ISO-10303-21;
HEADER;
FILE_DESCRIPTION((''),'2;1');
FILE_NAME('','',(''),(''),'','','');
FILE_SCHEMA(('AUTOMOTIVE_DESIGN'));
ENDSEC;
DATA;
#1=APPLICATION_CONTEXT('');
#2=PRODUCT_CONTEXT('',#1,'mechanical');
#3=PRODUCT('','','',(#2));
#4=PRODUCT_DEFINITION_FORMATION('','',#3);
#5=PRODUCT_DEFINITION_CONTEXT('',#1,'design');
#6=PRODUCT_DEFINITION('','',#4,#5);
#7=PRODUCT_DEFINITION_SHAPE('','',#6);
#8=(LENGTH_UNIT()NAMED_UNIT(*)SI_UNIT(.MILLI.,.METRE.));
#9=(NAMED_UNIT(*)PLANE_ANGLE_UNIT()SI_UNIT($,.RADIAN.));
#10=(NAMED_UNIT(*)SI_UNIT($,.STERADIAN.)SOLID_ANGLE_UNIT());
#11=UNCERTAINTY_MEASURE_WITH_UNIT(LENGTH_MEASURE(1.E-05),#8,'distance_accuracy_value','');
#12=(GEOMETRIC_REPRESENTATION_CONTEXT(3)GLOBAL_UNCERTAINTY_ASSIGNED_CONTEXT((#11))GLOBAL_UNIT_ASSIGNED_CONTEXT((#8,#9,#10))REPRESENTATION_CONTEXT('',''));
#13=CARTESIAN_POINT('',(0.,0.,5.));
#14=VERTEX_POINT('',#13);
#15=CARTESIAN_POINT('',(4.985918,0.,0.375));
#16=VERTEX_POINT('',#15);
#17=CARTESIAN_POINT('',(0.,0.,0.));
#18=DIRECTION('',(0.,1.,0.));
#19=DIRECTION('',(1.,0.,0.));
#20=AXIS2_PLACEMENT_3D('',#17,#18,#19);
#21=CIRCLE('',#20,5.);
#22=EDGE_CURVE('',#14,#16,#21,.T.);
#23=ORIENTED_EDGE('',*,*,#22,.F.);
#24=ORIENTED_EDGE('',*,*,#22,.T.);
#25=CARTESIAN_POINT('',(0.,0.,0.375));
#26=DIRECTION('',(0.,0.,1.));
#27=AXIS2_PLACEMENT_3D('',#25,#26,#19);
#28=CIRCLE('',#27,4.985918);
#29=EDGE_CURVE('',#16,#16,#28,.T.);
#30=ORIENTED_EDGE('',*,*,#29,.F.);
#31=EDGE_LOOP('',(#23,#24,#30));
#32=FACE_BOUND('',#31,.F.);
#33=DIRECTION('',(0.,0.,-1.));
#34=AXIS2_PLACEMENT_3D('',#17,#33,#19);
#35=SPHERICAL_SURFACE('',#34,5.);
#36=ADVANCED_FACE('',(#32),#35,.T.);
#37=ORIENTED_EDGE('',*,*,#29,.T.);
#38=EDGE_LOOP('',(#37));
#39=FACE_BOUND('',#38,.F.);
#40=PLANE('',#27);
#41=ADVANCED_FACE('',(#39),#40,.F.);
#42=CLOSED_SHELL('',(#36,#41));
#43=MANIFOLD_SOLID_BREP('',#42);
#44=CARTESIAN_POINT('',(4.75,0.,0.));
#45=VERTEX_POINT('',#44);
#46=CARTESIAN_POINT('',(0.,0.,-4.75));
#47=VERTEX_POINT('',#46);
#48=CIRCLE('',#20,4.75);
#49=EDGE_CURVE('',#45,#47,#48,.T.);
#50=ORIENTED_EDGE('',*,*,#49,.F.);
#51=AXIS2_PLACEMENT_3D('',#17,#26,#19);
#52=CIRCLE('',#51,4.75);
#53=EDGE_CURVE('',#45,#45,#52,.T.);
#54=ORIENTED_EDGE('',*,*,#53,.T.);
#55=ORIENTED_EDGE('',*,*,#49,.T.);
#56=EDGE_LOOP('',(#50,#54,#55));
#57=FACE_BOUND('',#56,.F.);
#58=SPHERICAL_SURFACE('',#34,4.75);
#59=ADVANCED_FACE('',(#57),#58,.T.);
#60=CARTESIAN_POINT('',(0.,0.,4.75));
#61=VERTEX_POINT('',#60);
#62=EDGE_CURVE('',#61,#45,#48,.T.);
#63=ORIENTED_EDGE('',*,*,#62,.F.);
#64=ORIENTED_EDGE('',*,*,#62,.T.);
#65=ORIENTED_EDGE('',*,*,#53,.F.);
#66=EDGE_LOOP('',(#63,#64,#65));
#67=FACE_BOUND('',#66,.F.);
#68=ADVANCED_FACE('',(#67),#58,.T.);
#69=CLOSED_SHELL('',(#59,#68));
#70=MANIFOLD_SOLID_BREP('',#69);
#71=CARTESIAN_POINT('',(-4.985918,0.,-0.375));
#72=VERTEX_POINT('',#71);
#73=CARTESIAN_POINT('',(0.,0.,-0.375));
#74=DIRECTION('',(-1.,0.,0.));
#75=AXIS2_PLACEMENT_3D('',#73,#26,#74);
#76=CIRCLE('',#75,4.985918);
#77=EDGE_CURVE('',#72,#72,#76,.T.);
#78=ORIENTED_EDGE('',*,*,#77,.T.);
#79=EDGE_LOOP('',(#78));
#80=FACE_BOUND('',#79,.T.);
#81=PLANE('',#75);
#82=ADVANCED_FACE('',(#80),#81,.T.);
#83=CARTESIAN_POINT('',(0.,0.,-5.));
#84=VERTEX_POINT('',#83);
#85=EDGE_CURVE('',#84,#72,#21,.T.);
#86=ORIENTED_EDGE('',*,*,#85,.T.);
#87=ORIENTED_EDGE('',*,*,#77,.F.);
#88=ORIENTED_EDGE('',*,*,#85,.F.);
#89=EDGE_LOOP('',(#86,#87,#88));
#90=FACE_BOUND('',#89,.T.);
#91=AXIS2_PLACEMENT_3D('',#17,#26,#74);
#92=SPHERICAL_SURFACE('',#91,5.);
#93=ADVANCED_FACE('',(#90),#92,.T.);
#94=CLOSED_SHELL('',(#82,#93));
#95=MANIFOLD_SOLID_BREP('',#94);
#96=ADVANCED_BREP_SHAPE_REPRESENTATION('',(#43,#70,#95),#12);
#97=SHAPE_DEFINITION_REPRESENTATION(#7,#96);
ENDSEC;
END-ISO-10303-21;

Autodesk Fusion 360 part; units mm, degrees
sketch "Sketch4" plane through (0, 0, 0) normal (0, 1, 0) x (1, 0, 0)
  circle A0 centre (0, 0) radius 5
  line L0 (0, 7) -> (0, -7.4768)
  line L1 (-8, 0) -> (8, 0)
  line L2 (-11.6654, 0.375) -> (11.6654, 0.375)
  line L3 (11.6654, 0.375) -> (11.6654, -0.375)
  line L4 (11.6654, -0.375) -> (-11.6654, -0.375)
  line L5 (-11.6654, -0.375) -> (-11.6654, 0.375)
  line L6 (-11.6654, 0.375) -> (11.6654, -0.375) construction
  line L7 (11.6654, 0.375) -> (-11.6654, -0.375) construction
  dimension "d4" = 10
  dimension "d5" = 0.75
revolve "Revolve1" add sketch "Sketch4" angle 360 about axis through (0, 0, -7) along (0, 0, 1) contours A0 L0 L4 | A0 L0 L2 picked at (3.2868, -0.6213) picked at (-3.2868, 0.6213) makes body 1 at (2.4503, 4.2441, -0.9919) makes body 2 at (2.4503, -4.2441, 0.9919)
sketch "Sketch5" plane through (0, 0, 0) normal (0, 1, 0) x (1, 0, 0)
  circle A0 centre (0, 0) radius 4.75
  line L0 (0, 7) -> (0, -7)
  dimension "d7" = 9.5
revolve "Revolve2" add sketch "Sketch5" angle 360 about axis through (0, 0, -7) along (0, 0, 1) separate body contours A0 L0 picked at (1.4219, 1.0207) makes body 3
